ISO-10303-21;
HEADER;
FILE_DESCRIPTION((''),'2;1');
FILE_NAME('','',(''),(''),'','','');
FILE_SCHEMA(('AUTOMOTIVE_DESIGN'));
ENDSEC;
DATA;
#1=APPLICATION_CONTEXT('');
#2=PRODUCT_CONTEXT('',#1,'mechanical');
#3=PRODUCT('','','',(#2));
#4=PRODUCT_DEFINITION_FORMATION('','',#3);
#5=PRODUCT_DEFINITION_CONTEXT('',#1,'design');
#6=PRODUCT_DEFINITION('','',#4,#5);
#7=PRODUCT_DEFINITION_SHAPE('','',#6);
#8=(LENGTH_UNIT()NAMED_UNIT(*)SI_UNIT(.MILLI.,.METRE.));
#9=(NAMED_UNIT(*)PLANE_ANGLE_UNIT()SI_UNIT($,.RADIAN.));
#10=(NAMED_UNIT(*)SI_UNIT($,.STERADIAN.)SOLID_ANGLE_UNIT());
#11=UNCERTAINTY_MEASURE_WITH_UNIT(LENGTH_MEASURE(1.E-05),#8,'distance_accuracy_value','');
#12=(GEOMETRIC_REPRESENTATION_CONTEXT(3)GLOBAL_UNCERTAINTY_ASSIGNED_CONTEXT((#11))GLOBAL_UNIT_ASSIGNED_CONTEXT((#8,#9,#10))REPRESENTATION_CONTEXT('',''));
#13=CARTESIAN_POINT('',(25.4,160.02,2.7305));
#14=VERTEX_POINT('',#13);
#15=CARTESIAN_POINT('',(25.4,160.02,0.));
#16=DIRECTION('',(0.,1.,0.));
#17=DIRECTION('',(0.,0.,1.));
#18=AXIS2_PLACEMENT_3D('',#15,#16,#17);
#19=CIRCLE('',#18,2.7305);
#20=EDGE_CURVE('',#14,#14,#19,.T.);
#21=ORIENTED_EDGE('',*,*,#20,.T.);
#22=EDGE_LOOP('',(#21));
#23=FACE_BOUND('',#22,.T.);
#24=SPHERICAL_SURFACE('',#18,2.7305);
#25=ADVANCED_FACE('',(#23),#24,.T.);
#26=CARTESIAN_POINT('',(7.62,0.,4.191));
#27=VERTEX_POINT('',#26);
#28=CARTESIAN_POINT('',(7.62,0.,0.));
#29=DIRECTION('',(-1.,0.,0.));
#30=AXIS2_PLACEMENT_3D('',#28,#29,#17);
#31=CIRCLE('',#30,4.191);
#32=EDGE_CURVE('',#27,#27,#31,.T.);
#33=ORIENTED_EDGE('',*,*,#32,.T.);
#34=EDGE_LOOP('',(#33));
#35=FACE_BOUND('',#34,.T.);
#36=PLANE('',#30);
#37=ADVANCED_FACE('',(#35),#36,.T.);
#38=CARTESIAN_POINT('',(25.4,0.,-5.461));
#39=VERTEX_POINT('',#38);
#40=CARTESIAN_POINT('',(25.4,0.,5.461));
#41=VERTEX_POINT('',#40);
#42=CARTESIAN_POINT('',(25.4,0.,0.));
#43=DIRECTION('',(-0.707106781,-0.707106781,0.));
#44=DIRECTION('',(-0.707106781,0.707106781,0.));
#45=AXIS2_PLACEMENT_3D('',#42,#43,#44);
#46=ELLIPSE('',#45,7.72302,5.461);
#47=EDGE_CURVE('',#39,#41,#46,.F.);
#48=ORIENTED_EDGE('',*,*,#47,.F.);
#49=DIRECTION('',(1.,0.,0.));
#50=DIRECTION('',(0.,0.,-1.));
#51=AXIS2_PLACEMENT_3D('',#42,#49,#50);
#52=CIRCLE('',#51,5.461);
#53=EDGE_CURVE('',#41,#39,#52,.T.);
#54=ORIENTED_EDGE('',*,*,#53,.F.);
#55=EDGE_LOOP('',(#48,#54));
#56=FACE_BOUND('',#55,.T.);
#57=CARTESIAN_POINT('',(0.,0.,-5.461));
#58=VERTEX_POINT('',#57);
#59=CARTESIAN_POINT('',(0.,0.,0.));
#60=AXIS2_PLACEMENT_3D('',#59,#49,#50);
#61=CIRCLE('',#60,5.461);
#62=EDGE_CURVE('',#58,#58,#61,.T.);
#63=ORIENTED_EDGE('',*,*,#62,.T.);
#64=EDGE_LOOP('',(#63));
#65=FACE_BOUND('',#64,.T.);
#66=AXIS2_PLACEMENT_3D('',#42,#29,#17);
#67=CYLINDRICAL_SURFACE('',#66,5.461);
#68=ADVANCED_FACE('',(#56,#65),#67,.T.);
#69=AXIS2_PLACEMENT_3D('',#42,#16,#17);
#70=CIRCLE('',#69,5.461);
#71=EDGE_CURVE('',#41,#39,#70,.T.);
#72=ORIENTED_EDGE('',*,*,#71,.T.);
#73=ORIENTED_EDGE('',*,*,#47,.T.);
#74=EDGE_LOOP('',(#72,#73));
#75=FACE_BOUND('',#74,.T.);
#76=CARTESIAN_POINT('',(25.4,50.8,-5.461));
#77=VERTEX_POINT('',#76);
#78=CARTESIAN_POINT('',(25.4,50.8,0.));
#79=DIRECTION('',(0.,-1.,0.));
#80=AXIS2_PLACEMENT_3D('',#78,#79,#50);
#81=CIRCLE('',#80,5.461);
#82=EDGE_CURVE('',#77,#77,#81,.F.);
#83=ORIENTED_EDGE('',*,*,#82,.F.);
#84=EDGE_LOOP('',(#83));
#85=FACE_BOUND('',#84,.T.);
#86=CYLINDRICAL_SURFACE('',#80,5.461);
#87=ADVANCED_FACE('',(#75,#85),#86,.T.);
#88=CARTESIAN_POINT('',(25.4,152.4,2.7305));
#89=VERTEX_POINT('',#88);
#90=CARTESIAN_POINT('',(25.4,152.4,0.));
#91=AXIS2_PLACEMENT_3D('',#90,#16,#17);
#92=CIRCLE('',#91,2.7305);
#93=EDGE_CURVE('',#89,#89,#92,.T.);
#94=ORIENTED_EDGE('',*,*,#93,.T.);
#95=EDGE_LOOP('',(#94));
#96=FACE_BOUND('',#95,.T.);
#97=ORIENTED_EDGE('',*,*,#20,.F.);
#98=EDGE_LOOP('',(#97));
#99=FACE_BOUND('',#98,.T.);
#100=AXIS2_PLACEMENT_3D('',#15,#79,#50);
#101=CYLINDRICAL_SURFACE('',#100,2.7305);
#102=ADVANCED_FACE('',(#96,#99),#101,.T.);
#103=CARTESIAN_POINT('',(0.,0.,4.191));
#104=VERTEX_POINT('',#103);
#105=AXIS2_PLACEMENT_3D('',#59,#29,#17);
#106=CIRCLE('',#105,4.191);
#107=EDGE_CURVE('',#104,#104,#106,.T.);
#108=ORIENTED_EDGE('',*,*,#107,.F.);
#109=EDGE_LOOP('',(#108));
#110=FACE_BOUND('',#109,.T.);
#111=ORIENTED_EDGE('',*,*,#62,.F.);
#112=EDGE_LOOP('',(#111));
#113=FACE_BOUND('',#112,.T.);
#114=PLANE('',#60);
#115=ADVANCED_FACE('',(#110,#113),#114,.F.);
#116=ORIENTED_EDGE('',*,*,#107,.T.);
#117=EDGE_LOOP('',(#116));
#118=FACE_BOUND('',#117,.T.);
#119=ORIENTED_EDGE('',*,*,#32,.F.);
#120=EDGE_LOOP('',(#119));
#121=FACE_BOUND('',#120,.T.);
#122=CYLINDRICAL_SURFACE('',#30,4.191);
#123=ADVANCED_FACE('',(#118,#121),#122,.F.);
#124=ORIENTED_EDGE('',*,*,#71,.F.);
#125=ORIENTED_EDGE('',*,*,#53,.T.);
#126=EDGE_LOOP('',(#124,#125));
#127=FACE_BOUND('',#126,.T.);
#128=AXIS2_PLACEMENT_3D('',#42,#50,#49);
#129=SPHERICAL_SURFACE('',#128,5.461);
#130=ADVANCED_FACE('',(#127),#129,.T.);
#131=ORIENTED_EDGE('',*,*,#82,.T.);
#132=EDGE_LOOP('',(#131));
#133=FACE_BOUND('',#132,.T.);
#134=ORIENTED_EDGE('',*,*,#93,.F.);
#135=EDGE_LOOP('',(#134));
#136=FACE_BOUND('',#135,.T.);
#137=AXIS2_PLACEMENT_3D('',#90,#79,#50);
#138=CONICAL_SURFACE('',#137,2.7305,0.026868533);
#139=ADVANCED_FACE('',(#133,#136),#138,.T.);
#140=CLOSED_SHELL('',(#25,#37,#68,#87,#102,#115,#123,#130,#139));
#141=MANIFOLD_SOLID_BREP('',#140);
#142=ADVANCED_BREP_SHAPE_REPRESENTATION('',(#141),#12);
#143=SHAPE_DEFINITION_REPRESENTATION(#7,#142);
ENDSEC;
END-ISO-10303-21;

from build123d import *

# Parameters (mm, degrees)
SKETCH1_R           = 5.461
BOSS_EXTRUDE1_DEPTH = 25.4
SKETCH2_R           = 4.191
CUT_EXTRUDE1_DEPTH  = 7.62
SKETCH3_R           = 5.461
BOSS_EXTRUDE2_DEPTH = 50.8
REVOLVE2_ANGLE      = 90
SKETCH8_R           = 2.7305
SKETCH9_R           = 2.7305
BOSS_EXTRUDE3_DEPTH = 7.62
REVOLVE3_ANGLE      = 180


with BuildPart() as part:
    # Sketch1 → Boss-Extrude1 (new body)
    with BuildSketch(Plane(origin=(0, 0, 0), x_dir=(0, 0, -1), z_dir=(1, 0, 0))):
        Circle(SKETCH1_R)
    extrude(amount=BOSS_EXTRUDE1_DEPTH)

    # Sketch2 → Cut-Extrude1 (cut)
    with BuildSketch(Plane.ZY):
        Circle(SKETCH2_R)
    extrude(amount=-CUT_EXTRUDE1_DEPTH, mode=Mode.SUBTRACT)

    # Sketch3 → Boss-Extrude2 (add)
    with BuildSketch(Plane(origin=(0, 0, 0), x_dir=(1, 0, 0), z_dir=(0, 1, 0))):
        with Locations((25.4, 0)):
            Circle(SKETCH3_R)
    extrude(amount=BOSS_EXTRUDE2_DEPTH)

    # Sketch7 → Revolve2 (revolve)
    with BuildSketch(Plane(origin=(25.4, 0, 0), x_dir=(0, 0, -1), z_dir=(1, 0, 0))):
        with BuildLine():
            Line((5.461, 0), (-5.461, 0))
            ThreePointArc((-5.461, 0), (0, -5.461), (5.461, 0))
        make_face()
    revolve(axis=Axis((25.4, 0, -5.461), (0, 0, 1)), revolution_arc=REVOLVE2_ANGLE)

    # Sketch8 → section 1 of loft2
    with BuildSketch(Plane(origin=(0, 152.4, 0), x_dir=(1, 0, 0), z_dir=(0, 1, 0)), mode=Mode.PRIVATE) as loft2_s1:
        with Locations((25.4, 0)):
            Circle(SKETCH8_R)
    # loft from a face of the part (loft2)
    loft([part.faces().sort_by_distance((25.4, 50.8, 0))[0], loft2_s1.sketch])

    # Sketch9 → Boss-Extrude3 (add)
    with BuildSketch(Plane(origin=(0, 152.4, 0), x_dir=(1, 0, 0), z_dir=(0, 1, 0))):
        with Locations((25.4, 0)):
            Circle(SKETCH9_R)
    extrude(amount=BOSS_EXTRUDE3_DEPTH)

    # Sketch10 → Revolve3 (revolve)
    with BuildSketch(Plane(origin=(0, 160.02, 0), x_dir=(1, 0, 0), z_dir=(0, 1, 0))):
        with BuildLine():
            Line((25.4, 2.7305), (25.4, -2.7305))
            ThreePointArc((25.4, -2.7305), (28.1305, 0), (25.4, 2.7305))
        make_face()
    revolve(axis=Axis((25.4, 160.02, -2.7305), (0, 0, 1)), revolution_arc=REVOLVE3_ANGLE)


solid = part.part
